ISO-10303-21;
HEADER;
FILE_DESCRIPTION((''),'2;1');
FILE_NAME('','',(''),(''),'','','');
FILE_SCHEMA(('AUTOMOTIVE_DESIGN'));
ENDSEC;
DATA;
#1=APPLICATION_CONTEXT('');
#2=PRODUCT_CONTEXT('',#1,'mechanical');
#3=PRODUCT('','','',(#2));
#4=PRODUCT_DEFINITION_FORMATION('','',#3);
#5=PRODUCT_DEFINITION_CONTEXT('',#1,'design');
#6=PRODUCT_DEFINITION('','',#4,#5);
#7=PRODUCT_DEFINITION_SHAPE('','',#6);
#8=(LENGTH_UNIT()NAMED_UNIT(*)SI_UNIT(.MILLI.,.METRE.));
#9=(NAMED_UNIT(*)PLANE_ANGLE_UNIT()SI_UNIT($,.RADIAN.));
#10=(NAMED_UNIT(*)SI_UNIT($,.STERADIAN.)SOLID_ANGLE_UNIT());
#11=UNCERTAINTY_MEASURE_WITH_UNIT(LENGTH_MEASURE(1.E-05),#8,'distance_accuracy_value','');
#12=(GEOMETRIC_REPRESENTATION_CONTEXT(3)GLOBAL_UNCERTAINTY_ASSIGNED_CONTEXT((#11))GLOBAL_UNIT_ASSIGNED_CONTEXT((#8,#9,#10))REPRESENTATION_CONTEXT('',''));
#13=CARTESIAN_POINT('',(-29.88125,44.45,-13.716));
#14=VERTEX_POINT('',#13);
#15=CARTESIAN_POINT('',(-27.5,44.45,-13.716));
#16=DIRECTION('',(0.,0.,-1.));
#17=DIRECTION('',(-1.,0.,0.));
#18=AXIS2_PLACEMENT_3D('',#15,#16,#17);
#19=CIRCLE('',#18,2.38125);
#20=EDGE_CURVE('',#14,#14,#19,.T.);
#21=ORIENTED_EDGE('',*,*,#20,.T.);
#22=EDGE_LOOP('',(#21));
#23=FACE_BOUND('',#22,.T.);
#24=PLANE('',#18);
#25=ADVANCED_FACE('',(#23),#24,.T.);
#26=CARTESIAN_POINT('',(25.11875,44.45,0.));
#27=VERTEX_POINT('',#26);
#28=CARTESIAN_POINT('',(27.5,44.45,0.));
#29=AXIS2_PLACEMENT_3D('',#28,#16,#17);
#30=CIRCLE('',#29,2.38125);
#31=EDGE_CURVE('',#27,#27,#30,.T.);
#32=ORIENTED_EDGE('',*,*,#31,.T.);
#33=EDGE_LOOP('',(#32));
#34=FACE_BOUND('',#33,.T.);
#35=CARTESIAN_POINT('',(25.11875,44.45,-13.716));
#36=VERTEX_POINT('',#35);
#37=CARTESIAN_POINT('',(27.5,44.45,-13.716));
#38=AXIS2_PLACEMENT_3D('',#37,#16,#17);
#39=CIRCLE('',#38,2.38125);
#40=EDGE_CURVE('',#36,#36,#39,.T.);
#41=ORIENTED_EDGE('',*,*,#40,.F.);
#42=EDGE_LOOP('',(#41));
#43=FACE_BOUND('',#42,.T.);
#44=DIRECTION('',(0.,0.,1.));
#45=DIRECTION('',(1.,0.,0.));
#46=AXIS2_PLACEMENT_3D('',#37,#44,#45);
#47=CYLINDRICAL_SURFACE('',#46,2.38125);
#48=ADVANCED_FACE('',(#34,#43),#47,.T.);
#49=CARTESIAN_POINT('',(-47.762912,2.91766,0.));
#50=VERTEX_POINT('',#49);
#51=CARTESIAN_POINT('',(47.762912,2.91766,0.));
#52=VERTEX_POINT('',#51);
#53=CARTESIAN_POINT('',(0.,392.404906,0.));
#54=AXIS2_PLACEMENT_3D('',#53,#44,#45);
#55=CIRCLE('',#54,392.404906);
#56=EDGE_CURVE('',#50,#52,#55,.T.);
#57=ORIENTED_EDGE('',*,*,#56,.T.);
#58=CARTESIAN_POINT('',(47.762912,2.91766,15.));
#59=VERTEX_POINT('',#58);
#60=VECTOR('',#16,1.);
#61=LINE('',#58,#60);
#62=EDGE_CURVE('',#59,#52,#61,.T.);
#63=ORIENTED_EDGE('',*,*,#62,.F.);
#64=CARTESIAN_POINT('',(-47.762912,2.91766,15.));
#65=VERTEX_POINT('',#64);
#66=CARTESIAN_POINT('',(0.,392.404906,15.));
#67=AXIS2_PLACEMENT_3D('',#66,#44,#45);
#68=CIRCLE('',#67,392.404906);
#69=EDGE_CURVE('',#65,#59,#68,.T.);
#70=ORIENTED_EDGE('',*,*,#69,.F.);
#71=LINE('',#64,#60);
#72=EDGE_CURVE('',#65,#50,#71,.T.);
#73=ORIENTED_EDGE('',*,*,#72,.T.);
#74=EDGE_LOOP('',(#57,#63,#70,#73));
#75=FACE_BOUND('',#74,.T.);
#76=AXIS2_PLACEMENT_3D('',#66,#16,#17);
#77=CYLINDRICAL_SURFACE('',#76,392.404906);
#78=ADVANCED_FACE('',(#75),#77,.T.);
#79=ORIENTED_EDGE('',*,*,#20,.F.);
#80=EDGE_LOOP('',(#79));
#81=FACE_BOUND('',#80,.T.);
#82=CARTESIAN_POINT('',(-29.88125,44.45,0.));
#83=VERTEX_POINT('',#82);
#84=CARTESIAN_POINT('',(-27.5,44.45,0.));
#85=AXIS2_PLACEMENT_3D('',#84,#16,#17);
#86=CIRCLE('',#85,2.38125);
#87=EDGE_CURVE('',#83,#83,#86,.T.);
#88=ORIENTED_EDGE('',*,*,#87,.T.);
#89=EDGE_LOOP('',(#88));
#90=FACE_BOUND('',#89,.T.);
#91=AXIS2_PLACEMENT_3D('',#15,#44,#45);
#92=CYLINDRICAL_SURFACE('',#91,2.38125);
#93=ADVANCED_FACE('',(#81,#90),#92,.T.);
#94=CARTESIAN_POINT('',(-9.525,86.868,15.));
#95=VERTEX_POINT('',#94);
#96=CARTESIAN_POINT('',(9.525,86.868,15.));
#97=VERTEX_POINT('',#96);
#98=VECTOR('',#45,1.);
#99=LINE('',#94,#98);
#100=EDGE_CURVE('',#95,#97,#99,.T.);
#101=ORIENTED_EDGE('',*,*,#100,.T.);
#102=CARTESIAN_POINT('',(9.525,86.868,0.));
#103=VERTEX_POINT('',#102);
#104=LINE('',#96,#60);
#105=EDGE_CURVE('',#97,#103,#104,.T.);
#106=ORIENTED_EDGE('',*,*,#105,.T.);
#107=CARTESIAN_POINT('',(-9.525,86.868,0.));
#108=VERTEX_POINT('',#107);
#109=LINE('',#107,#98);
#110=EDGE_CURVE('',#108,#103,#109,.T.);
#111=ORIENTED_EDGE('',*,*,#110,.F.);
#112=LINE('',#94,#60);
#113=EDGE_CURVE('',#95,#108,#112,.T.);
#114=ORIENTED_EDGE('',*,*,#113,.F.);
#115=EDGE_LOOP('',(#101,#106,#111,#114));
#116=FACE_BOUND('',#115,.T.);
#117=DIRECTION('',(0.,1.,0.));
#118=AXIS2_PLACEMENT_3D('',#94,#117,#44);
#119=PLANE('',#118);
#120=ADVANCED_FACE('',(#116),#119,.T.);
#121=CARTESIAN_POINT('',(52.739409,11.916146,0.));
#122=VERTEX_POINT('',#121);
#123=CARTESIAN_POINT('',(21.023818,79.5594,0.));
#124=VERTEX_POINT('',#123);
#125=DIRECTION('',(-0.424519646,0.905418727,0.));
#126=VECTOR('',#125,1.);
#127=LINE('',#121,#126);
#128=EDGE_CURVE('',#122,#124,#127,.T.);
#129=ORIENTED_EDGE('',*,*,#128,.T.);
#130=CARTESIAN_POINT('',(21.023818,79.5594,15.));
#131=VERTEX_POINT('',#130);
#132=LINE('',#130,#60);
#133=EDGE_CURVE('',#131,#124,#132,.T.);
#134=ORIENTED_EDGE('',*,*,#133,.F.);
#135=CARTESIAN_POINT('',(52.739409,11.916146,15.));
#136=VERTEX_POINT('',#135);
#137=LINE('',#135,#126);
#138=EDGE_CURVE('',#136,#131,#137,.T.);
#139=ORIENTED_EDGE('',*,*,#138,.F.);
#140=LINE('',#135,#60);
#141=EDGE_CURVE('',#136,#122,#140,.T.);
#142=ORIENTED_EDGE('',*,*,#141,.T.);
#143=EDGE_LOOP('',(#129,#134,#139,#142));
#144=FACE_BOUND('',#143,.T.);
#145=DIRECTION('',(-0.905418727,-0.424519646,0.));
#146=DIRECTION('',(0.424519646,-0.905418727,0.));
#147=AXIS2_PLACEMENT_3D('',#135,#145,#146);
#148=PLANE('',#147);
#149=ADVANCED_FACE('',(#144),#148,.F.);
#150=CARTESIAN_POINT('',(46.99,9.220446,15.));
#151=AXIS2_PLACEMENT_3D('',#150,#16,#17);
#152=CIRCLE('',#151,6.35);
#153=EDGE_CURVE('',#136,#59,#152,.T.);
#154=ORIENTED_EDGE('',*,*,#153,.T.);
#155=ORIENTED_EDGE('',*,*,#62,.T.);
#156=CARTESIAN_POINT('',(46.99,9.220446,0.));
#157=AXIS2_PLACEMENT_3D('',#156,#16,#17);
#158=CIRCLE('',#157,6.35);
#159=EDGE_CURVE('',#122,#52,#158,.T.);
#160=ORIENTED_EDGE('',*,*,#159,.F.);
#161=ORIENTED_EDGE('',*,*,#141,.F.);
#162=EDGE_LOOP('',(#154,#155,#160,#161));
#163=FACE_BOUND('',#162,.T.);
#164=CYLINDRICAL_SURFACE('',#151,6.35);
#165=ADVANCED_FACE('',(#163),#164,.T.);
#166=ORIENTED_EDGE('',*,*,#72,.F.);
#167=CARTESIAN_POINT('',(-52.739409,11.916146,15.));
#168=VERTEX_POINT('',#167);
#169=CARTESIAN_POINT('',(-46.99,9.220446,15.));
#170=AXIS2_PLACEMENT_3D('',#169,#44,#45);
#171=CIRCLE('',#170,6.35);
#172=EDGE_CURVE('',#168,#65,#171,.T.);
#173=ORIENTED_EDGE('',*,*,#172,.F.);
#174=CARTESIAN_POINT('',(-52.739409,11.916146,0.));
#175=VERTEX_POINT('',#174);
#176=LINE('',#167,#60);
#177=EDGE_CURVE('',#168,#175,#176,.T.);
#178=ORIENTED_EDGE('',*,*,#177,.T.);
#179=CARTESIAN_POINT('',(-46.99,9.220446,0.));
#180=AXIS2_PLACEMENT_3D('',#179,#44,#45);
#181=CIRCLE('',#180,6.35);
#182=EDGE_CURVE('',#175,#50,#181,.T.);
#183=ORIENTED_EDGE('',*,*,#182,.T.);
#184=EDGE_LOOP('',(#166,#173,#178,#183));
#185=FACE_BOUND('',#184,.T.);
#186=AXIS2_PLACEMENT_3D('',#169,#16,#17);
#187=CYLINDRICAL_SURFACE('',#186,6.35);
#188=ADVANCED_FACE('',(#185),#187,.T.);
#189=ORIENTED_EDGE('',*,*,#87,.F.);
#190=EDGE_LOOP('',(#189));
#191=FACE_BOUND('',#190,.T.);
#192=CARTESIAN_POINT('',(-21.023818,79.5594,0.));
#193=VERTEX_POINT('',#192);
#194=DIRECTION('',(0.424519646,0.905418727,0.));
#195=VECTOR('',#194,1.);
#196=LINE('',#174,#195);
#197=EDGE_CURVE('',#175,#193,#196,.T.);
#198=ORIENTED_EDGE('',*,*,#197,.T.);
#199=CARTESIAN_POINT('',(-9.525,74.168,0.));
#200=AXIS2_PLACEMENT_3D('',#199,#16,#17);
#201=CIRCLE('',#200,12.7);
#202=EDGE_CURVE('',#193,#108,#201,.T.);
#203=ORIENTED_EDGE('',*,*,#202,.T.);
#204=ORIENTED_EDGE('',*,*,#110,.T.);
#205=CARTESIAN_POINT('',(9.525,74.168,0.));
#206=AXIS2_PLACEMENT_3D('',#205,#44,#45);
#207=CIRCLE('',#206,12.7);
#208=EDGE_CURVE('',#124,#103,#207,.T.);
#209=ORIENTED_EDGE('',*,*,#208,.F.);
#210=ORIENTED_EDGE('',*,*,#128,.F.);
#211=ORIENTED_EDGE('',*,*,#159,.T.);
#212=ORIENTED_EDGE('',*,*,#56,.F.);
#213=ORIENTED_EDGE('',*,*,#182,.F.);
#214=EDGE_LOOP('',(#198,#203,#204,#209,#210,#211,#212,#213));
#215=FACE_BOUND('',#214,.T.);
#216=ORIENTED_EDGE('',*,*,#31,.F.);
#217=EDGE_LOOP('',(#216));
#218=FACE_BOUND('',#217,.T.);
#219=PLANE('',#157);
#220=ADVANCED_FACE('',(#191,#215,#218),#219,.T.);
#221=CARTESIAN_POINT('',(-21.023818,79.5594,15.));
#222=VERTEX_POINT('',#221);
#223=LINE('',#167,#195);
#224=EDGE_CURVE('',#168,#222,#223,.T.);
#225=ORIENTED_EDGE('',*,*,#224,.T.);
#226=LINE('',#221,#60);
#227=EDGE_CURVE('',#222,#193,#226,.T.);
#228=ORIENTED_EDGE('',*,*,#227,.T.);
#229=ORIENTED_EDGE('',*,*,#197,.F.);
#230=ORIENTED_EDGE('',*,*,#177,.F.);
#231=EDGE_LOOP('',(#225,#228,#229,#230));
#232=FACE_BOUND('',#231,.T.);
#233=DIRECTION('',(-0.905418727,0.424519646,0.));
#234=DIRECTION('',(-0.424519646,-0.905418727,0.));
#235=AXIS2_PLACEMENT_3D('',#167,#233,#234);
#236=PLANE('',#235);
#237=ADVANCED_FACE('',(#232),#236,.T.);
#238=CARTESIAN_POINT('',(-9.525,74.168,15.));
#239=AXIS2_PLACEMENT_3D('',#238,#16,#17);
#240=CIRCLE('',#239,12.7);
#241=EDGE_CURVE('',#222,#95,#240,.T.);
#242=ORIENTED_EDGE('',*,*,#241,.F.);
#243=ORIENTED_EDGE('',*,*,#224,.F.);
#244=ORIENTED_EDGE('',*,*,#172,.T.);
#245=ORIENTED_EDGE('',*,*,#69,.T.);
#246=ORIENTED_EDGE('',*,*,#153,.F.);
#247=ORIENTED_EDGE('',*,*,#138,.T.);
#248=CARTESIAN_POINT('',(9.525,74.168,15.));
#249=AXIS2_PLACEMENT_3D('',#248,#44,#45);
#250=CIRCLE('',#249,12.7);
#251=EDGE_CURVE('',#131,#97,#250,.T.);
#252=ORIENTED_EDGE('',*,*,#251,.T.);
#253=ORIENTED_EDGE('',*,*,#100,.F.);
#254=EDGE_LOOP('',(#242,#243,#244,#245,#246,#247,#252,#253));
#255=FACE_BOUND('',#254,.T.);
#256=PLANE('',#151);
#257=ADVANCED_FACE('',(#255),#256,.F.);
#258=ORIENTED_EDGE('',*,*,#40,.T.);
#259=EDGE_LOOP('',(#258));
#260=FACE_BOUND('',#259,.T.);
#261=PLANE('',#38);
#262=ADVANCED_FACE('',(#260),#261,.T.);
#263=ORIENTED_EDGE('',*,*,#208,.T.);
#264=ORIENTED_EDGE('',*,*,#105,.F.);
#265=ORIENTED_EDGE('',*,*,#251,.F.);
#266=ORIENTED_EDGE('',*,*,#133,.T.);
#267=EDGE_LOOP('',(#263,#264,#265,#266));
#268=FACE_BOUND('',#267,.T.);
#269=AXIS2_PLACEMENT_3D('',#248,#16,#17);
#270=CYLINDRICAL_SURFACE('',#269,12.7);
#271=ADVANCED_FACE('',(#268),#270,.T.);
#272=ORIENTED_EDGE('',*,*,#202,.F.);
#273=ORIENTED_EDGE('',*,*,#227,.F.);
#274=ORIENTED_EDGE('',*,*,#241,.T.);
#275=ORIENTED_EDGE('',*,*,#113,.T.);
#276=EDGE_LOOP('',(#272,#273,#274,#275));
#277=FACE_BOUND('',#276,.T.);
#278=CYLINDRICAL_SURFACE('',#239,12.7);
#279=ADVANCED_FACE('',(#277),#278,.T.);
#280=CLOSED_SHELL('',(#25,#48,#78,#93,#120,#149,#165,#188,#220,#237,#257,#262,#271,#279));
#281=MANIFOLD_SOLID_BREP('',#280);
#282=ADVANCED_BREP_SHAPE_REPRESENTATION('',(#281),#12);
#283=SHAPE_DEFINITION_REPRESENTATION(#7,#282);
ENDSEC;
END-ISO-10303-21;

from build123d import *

# Parameters (mm, degrees)
BOSS_EXTRUDE1_DEPTH = 15
SKETCH2_R           = 2.38125
BOSS_EXTRUDE2_DEPTH = 13.716


with BuildPart() as part:
    # Sketch1 → Boss-Extrude1 (new body)
    with BuildSketch(Plane.XY):
        with BuildLine():
            Line((-52.739408914, 11.9161458), (-21.023817827, 79.5593995))
            ThreePointArc((-21.023817827, 79.5593995), (-16.337460141, 84.886226851), (-9.525, 86.868))
            Line((-9.525, 86.868), (9.525, 86.868))
            ThreePointArc((9.525, 86.868), (16.337460141, 84.886226851), (21.023817827, 79.5593995))
            Line((21.023817827, 79.5593995), (52.739408914, 11.9161458))
            ThreePointArc((52.739408914, 11.9161458), (52.54682937, 6.1473129), (47.762912079, 2.917660402))
            ThreePointArc((47.762912079, 2.917660402), (0, 0), (-47.762912079, 2.917660402))
            ThreePointArc((-47.762912079, 2.917660402), (-52.54682937, 6.1473129), (-52.739408914, 11.9161458))
        make_face()
    extrude(amount=BOSS_EXTRUDE1_DEPTH)

    # Sketch2 → Boss-Extrude2 (add)
    with BuildSketch(Plane(origin=(0, 0, 0), x_dir=(-1, 0, 0), z_dir=(0, 0, -1))):
        with Locations((-27.5, 44.45)):
            Circle(SKETCH2_R)
        with Locations((27.5, 44.45)):
            Circle(SKETCH2_R)
    extrude(amount=BOSS_EXTRUDE2_DEPTH)


solid = part.part
